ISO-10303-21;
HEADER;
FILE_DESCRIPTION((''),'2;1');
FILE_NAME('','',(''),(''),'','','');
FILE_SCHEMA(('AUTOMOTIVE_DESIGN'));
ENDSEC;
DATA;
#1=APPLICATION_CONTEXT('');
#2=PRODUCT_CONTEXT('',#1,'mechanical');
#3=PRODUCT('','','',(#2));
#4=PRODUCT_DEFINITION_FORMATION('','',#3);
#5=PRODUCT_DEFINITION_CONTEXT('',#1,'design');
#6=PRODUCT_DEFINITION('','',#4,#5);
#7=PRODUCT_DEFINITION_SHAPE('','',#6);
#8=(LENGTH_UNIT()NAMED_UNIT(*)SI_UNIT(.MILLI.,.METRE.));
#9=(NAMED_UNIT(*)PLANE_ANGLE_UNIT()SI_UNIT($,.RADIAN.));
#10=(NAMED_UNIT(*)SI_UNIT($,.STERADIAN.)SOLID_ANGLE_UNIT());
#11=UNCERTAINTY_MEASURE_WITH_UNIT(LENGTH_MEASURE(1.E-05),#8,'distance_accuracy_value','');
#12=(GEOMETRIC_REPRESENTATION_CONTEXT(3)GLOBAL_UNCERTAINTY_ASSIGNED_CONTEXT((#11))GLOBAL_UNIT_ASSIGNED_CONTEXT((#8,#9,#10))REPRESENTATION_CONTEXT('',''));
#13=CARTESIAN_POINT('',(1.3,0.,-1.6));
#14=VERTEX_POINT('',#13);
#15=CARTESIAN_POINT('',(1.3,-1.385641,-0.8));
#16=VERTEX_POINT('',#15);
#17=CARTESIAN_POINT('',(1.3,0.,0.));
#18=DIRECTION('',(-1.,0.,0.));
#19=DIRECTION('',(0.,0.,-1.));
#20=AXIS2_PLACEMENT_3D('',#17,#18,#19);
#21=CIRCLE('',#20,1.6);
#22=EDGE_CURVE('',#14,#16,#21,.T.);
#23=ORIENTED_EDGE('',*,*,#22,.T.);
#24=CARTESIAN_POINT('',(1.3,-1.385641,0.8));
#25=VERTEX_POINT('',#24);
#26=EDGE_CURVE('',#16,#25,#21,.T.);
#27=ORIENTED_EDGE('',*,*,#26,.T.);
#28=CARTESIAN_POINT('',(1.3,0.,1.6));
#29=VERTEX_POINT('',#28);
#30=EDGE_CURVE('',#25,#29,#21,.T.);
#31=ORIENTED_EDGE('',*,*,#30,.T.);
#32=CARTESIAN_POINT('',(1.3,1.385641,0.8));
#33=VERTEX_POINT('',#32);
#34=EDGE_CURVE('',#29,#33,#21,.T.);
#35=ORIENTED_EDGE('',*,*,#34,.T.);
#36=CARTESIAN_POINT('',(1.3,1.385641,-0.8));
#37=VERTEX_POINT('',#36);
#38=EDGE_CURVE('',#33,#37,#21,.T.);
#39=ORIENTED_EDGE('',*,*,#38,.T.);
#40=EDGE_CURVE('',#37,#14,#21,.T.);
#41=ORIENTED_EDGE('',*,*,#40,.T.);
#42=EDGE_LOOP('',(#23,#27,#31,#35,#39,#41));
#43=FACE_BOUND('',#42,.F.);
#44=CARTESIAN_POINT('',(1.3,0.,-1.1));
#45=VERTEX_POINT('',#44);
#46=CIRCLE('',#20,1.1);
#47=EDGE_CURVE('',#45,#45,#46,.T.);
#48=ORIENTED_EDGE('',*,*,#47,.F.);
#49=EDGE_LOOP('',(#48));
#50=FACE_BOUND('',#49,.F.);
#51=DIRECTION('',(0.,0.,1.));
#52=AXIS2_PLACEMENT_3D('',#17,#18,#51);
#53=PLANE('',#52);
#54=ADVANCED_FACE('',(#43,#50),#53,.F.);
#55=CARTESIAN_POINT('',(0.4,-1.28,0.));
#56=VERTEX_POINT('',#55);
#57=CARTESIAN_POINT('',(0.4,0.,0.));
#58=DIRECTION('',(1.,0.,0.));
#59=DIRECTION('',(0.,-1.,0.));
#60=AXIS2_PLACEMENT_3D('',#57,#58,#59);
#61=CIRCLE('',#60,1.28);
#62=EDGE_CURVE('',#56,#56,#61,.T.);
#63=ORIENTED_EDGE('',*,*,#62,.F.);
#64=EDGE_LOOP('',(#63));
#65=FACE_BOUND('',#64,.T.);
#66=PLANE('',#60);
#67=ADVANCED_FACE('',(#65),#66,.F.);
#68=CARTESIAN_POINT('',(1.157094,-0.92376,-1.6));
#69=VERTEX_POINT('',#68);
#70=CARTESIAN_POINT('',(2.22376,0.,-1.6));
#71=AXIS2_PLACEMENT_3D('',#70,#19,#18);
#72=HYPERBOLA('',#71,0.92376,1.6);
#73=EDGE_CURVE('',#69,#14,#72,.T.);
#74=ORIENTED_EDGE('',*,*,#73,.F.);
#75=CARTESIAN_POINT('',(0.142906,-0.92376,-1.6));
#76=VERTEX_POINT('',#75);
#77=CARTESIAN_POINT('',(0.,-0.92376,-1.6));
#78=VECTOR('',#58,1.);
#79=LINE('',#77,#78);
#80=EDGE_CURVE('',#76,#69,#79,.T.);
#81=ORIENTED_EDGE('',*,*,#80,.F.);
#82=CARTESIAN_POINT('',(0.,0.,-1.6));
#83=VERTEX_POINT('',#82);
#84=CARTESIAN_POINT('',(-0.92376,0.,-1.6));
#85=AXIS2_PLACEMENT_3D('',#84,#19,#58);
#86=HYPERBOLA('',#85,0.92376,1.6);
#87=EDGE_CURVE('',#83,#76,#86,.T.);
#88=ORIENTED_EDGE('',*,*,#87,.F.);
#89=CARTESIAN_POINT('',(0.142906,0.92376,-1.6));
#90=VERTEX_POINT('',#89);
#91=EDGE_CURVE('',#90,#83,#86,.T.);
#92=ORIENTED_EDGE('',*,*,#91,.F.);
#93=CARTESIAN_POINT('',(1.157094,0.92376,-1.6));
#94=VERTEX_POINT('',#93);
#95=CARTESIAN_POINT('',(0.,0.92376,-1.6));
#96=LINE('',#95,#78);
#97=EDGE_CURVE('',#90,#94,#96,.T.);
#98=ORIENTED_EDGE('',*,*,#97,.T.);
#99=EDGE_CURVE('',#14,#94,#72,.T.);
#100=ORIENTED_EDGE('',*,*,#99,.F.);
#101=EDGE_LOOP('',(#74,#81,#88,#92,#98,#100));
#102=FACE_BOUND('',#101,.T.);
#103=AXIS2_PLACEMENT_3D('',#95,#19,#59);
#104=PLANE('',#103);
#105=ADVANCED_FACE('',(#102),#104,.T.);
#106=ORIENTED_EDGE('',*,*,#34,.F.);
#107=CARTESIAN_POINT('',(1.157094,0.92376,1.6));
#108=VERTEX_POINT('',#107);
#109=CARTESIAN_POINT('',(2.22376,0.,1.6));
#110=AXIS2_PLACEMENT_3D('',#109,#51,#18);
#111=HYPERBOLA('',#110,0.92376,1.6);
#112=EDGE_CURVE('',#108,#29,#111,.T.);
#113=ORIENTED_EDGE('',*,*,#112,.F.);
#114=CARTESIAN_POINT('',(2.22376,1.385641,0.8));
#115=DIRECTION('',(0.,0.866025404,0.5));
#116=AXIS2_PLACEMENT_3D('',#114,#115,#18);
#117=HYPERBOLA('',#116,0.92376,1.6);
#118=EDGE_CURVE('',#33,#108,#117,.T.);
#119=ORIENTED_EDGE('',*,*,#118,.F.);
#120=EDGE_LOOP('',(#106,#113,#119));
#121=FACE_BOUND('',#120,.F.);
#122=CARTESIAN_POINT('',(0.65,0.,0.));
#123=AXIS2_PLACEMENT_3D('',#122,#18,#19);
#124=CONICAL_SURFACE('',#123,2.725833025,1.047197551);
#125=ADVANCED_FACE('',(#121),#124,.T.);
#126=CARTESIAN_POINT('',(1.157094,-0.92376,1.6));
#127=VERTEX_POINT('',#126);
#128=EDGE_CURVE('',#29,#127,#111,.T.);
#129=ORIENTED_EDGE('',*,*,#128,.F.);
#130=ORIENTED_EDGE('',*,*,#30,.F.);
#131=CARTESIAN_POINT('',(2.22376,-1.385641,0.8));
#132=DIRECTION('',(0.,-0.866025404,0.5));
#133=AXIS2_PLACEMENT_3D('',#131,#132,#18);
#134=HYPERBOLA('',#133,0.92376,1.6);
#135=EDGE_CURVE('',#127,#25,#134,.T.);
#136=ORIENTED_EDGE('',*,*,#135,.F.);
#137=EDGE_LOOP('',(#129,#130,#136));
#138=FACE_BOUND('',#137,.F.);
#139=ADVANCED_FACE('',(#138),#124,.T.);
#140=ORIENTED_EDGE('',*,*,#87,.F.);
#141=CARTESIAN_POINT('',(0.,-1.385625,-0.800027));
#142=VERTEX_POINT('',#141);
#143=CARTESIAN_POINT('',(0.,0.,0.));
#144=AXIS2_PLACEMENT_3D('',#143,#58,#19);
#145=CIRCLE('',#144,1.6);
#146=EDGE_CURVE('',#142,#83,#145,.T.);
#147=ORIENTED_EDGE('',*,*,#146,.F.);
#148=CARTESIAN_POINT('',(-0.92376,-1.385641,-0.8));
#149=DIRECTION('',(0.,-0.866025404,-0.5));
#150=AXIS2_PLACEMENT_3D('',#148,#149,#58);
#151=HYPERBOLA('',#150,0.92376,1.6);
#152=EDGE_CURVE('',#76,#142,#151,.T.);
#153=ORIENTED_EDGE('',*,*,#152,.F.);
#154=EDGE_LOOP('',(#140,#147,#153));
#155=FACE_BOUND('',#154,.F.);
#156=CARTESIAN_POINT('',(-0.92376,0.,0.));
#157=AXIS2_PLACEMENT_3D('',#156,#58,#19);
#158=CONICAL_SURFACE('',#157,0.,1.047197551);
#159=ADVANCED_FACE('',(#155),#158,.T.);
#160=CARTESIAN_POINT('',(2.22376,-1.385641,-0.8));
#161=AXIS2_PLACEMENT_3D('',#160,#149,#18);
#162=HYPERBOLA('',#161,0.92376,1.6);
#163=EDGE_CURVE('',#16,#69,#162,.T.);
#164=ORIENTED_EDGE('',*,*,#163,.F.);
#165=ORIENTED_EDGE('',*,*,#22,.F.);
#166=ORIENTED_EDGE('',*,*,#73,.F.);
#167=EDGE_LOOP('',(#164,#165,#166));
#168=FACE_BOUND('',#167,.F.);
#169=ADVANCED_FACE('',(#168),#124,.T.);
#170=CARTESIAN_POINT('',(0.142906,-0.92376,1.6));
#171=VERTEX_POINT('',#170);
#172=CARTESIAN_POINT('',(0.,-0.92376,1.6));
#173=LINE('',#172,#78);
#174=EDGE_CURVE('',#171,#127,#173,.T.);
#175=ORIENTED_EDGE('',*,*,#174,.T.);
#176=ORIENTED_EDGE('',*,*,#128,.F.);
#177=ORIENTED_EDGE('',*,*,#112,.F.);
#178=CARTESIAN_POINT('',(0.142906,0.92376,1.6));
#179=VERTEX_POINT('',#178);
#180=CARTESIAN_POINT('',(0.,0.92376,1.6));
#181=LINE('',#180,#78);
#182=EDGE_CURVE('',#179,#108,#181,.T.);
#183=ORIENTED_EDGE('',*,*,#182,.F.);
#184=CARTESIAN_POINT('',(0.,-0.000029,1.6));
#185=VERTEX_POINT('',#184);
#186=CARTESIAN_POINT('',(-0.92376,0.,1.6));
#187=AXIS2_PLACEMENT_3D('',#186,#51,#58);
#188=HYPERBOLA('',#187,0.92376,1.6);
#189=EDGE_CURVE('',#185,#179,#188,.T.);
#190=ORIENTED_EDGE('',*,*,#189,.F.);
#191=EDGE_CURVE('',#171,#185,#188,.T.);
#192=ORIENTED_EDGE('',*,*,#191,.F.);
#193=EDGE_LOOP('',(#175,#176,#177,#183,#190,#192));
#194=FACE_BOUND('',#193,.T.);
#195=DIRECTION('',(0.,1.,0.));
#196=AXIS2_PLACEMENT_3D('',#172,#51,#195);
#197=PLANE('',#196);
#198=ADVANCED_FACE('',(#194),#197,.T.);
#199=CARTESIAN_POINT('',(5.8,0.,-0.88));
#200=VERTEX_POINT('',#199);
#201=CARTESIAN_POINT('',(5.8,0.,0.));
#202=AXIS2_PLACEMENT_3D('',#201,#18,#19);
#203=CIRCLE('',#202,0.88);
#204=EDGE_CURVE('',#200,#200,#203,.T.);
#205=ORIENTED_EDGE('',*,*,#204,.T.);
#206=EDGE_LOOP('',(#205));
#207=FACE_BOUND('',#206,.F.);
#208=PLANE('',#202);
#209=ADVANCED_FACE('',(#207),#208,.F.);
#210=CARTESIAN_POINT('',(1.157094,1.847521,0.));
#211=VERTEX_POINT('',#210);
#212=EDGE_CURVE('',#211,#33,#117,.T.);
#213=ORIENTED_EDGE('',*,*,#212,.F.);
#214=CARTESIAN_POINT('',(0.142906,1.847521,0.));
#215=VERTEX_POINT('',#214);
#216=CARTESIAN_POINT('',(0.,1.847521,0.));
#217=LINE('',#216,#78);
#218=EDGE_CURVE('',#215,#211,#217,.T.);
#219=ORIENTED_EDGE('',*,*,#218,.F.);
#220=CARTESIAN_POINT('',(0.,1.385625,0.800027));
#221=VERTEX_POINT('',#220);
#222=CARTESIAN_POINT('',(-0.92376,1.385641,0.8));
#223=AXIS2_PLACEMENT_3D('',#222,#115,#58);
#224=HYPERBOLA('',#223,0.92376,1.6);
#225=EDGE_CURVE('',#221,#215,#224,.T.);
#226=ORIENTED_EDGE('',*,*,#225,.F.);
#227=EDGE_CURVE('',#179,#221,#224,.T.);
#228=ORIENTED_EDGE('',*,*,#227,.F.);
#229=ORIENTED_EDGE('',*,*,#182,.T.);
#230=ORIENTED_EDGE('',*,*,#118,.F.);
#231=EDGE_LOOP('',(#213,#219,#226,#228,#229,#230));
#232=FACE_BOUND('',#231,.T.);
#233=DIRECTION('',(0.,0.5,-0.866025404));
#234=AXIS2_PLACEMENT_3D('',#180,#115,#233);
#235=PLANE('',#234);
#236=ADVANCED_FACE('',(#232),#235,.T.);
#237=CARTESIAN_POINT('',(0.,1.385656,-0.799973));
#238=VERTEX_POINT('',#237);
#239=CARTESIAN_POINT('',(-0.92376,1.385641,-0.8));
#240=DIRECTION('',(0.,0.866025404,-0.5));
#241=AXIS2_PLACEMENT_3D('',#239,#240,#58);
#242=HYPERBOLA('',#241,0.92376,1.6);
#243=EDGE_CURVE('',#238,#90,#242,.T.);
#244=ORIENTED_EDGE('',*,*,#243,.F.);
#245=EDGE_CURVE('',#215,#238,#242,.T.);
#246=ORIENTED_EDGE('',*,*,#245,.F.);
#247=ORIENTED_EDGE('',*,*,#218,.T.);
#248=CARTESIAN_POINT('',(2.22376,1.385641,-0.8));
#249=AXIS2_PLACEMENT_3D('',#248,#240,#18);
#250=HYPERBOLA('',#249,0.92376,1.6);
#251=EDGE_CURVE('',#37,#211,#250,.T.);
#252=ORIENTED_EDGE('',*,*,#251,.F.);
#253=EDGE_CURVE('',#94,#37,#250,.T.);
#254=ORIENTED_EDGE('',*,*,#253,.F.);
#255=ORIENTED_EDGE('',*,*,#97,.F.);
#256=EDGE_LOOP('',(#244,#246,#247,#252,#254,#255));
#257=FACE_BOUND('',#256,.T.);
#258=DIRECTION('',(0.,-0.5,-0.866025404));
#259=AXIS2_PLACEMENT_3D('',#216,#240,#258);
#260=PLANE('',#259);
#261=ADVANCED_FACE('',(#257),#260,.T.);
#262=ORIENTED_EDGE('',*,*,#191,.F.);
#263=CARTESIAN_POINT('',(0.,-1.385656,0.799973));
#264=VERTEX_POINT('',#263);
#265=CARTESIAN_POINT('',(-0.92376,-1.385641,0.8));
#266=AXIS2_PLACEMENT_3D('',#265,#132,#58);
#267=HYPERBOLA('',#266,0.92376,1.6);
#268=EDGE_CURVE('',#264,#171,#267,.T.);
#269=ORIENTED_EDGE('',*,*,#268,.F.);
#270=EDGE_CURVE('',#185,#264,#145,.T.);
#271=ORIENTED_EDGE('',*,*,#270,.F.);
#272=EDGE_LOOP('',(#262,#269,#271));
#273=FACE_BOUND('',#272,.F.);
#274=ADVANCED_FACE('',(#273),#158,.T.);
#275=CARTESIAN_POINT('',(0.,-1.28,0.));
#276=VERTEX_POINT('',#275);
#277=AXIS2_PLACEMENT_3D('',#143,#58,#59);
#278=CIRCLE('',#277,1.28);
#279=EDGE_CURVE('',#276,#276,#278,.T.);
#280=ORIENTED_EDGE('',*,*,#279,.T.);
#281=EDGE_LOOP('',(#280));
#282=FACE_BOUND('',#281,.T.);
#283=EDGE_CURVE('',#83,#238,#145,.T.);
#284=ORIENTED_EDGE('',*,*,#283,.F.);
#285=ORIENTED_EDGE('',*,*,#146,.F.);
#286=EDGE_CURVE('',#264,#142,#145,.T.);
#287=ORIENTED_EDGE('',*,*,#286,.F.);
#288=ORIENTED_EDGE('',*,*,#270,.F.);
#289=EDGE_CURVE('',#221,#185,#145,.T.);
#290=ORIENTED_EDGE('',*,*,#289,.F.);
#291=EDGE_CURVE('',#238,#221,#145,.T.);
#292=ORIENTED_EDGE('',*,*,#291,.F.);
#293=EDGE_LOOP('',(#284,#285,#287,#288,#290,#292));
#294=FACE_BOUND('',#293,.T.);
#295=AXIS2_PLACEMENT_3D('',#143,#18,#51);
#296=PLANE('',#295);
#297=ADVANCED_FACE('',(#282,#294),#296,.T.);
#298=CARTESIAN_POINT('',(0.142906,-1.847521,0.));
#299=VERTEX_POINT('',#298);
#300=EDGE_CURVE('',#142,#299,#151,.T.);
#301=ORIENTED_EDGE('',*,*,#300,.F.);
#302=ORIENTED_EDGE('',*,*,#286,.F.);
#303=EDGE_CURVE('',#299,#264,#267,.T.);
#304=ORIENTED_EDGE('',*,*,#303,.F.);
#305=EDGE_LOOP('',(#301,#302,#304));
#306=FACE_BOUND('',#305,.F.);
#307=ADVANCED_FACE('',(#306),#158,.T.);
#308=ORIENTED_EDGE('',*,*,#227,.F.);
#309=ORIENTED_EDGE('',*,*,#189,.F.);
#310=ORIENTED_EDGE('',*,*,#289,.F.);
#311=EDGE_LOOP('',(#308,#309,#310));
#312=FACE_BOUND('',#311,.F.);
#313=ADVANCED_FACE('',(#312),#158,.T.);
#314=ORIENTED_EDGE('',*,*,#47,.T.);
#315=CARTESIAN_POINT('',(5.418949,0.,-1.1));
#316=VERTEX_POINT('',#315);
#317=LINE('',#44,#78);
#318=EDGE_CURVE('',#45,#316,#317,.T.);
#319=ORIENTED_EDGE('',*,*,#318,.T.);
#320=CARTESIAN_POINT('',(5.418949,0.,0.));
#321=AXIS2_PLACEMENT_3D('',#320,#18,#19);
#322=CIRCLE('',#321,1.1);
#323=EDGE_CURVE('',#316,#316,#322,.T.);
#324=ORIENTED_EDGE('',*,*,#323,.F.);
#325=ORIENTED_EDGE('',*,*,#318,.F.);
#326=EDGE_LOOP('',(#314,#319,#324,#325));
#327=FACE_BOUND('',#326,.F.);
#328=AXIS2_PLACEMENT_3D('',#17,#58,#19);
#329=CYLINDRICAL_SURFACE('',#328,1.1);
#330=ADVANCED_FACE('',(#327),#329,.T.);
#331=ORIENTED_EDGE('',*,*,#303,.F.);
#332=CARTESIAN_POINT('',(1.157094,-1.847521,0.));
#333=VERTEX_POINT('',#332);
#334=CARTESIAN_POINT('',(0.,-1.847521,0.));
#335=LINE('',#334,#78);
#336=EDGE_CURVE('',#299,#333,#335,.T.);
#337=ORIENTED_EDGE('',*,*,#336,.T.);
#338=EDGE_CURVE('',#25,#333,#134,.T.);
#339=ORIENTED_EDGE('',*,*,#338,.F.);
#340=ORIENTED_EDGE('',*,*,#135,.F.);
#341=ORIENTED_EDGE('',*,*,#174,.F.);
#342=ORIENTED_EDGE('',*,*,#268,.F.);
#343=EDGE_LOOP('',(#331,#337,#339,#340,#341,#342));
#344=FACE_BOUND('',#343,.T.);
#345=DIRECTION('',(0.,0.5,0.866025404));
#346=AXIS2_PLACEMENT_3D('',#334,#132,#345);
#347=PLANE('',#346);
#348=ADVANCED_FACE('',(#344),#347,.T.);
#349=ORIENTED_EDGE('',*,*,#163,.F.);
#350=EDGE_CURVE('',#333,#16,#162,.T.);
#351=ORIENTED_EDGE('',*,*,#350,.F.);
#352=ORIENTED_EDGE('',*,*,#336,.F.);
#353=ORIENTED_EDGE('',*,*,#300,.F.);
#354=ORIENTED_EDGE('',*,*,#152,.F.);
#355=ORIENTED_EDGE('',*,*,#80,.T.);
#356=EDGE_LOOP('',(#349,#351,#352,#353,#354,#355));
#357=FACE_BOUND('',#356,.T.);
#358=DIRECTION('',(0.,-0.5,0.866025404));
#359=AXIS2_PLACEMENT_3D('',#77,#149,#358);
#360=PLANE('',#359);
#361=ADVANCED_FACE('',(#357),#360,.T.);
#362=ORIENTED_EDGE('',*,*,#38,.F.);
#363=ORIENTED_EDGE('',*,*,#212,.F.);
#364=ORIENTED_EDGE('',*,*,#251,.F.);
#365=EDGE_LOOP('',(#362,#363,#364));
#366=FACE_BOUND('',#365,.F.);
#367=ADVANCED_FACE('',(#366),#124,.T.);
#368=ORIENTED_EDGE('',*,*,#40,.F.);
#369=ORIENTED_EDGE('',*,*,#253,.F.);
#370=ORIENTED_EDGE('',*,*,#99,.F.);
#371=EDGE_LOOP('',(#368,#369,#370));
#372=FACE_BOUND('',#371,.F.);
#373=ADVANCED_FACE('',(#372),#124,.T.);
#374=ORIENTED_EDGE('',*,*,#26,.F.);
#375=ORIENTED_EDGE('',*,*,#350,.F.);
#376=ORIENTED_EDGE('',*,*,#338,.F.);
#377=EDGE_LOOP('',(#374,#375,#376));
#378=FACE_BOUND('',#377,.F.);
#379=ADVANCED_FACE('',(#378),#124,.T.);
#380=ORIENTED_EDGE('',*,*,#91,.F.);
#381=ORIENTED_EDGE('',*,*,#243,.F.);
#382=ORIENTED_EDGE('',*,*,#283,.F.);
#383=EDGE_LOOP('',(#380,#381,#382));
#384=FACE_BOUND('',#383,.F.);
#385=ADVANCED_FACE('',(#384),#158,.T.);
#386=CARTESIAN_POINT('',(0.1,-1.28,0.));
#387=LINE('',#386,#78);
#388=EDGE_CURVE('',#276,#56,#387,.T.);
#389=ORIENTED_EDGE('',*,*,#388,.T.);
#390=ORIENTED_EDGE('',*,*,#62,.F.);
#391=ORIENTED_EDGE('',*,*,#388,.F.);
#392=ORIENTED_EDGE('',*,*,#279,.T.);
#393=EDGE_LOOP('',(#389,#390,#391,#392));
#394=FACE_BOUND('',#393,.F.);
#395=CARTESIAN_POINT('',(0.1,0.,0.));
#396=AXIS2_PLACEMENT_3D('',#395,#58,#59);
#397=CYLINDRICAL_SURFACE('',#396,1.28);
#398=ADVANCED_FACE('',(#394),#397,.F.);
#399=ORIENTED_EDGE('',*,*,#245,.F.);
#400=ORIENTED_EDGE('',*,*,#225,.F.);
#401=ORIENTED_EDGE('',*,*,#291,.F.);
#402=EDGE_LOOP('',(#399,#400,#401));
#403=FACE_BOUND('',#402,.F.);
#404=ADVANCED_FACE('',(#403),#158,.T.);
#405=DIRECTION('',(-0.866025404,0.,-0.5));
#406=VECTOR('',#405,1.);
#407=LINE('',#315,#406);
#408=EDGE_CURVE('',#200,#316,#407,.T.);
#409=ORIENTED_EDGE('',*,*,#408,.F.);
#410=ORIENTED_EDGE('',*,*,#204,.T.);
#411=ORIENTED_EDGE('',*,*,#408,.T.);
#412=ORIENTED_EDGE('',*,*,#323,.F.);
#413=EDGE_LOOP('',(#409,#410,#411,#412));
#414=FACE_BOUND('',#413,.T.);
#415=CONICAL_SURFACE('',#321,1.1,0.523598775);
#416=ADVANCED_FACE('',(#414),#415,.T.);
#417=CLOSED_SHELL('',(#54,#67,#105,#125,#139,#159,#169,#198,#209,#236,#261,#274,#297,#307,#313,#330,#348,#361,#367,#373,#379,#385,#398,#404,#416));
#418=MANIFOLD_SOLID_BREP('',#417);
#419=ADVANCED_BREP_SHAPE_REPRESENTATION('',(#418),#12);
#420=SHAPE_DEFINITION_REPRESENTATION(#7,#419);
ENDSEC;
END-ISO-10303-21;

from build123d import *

# Parameters (mm, degrees)
EXTRUDE1_DEPTH = 1.3
SKETCH4_W      = 0.6
SKETCH4_H      = 1.28
CHAMFER1_SIZE  = 0.22
CHAMFER1_SIZE2 = 0.381051178


with BuildPart() as part:
    # Sketch1 → Revolve1 (revolve)
    with BuildSketch(Plane.XY, mode=Mode.PRIVATE) as revolve1_sk:
        Polygon((0, 0), (0, 1.4), (1.3, 1.4), (1.3, 1.1), (5.8, 1.1), (5.8, 0), align=None)
    revolve(revolve1_sk.sketch.rotate(Axis((13.107885839, 0, 0), (-1, 0, 0)), 90), axis=Axis((13.107885839, 0, 0), (-1, 0, 0)))

    # Sketch2 → Extrude1 (add)
    with BuildSketch(Plane.ZY):
        Polygon((1.6, -0.923760431), (1.6, 0.923760431), (0, 1.847520861), (-1.6, 0.923760431), (-1.6, -0.923760431), (0, -1.847520861), align=None)
    extrude(amount=-EXTRUDE1_DEPTH)

    # Sketch3 → Cut-Revolve2 (revolve, cut)
    with BuildSketch(Plane(origin=(0, 0, 0), x_dir=(1, 0, 0), z_dir=(0, 1, 0))):
        Polygon((-0.923760431, 0), (0.65, 2.725833025), (1.3, 1.6), (1.3, 3.225833025), (-1.023760431, 3.225833025), (-1.023760431, 0), align=None)
    revolve(axis=Axis((0, 0, 0), (-1, 0, 0)), mode=Mode.SUBTRACT)

    # Sketch4 → Cut-Revolve3 (revolve, cut)
    with BuildSketch(Plane.XY, mode=Mode.PRIVATE) as cut_revolve3_sk:
        with Locations((0.1, 0.64)):
            Rectangle(SKETCH4_W, SKETCH4_H)
    revolve(cut_revolve3_sk.sketch.rotate(Axis((0, 0, 0), (1, 0, 0)), 180), axis=Axis((0, 0, 0), (1, 0, 0)), mode=Mode.SUBTRACT)

    # Chamfer1
    chamfer1_edges = [part.edges().sort_by_distance(p)[0] for p in [
        (5.8, 0, 1.1),
    ]]
    chamfer1_side = [part.faces().sort_by_distance(p)[0] for p in [
        (5.8, 0, 0),
    ]]
    chamfer(chamfer1_edges, length=CHAMFER1_SIZE, length2=CHAMFER1_SIZE2, reference=chamfer1_side[0])


solid = part.part
